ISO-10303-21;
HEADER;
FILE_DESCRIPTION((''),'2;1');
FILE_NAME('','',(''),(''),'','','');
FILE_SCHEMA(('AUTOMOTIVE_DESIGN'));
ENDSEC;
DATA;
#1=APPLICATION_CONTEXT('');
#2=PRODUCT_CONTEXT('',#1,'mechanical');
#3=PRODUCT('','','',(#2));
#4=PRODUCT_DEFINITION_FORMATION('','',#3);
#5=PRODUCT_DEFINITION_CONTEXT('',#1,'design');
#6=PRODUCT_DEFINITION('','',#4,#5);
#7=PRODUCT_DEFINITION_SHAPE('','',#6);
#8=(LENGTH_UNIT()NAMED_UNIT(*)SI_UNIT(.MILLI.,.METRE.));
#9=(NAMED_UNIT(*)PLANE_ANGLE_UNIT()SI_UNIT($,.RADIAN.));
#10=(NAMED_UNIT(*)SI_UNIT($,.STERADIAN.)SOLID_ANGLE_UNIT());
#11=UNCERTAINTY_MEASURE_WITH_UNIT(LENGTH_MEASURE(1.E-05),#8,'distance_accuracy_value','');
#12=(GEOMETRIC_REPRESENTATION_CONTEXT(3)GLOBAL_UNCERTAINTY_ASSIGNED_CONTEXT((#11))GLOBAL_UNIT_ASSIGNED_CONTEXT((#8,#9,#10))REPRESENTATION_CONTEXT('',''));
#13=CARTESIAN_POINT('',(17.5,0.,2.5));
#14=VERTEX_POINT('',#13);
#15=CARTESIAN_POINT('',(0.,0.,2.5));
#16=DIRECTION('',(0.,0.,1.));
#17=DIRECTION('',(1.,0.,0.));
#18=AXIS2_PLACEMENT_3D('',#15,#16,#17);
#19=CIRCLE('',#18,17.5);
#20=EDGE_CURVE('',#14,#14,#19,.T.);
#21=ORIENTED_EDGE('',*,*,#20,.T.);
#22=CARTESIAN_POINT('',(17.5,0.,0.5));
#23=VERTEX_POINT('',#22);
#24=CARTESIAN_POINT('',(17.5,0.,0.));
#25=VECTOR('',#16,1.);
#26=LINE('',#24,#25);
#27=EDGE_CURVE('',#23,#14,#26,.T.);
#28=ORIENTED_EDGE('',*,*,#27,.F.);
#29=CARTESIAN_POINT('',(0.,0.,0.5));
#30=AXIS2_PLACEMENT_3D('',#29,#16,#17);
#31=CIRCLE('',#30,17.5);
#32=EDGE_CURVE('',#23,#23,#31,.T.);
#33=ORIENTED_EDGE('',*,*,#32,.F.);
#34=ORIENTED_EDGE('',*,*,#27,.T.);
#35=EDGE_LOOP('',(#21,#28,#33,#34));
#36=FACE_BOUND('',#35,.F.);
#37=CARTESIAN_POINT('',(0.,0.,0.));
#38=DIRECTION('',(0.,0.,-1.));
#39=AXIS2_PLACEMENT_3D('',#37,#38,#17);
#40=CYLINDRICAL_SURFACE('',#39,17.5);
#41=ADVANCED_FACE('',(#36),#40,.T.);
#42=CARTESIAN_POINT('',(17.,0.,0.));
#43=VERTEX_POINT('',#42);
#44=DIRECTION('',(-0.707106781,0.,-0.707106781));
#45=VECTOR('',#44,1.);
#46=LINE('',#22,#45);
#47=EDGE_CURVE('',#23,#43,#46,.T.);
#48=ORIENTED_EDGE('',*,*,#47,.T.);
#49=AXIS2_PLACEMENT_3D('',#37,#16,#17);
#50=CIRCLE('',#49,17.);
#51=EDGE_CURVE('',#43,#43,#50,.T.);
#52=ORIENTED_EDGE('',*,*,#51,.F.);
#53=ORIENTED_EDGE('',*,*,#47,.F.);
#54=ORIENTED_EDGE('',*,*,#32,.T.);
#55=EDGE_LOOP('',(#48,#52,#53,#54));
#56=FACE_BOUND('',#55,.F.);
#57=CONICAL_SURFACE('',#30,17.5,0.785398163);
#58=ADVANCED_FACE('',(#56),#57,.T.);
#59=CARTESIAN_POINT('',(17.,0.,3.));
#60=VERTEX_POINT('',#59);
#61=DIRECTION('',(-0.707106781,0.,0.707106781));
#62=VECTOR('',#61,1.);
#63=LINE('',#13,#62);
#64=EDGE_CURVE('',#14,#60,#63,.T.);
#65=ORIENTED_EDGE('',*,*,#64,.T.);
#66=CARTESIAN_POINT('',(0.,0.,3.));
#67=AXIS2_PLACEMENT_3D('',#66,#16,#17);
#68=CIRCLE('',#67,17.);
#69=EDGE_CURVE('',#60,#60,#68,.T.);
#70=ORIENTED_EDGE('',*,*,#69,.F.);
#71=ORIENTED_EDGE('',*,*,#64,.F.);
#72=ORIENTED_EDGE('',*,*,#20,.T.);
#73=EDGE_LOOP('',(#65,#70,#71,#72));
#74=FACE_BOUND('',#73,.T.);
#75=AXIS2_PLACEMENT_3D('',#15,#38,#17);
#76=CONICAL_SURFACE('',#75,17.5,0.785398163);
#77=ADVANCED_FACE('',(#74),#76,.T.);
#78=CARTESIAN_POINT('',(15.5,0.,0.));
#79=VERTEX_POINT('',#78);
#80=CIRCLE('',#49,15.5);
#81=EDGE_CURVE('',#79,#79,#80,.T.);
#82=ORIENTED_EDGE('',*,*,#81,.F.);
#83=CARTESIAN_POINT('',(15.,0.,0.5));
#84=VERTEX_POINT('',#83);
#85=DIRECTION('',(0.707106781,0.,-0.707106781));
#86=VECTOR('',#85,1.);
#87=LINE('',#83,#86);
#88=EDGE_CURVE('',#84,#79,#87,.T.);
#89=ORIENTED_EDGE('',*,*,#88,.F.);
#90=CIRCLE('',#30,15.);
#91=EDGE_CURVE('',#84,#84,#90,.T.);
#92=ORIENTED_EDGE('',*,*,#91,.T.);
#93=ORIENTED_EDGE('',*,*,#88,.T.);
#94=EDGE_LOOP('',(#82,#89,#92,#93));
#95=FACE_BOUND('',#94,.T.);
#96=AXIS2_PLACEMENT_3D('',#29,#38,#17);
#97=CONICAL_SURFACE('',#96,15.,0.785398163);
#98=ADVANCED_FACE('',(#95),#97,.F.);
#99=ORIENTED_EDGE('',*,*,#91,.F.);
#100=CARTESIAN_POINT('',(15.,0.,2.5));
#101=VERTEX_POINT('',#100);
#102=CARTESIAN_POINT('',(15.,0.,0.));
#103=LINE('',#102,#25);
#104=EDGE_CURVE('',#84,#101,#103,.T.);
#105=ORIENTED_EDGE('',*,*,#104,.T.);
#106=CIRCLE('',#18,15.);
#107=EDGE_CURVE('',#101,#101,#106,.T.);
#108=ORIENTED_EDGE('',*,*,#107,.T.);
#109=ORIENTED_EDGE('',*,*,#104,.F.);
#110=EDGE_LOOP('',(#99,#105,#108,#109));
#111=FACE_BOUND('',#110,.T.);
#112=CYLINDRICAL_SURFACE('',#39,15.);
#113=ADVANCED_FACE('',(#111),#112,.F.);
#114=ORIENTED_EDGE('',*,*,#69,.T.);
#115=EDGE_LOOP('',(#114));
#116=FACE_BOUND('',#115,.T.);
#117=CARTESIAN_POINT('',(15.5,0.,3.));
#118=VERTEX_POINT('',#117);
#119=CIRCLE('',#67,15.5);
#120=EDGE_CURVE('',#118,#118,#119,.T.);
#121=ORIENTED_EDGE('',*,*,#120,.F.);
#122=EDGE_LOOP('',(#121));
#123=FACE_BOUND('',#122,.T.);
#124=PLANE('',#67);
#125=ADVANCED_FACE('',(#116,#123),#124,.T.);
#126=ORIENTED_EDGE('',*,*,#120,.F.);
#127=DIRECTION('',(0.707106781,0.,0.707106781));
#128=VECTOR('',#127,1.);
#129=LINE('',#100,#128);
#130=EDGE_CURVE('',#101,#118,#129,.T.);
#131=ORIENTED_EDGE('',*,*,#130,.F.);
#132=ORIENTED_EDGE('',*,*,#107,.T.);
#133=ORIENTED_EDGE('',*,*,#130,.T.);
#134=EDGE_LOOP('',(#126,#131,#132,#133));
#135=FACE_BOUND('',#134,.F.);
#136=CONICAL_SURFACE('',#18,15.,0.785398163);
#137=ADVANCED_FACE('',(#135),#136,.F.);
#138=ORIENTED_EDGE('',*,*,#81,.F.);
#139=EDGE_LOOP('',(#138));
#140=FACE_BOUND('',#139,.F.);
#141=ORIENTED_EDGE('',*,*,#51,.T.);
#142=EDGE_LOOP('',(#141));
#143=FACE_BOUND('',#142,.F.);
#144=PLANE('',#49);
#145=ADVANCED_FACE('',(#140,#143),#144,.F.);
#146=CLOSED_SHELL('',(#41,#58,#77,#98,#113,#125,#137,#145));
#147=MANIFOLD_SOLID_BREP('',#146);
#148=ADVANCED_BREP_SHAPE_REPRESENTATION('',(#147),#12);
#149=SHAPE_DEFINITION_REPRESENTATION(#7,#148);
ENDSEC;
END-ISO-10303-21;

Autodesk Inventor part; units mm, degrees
ref_plane "YZ Plane" through (0, 0, 0) normal (1, 0, 0) x (0, 1, 0)
ref_plane "XZ Plane" through (0, 0, 0) normal (0, 1, 0) x (-1, 0, 0)
ref_plane "XY Plane" through (0, 0, 0) normal (0, 0, 1) x (1, 0, 0)
sketch "草图1" plane through (0, 0, 0) normal (0, 0, 1) x (1, 0, 0)
  circle A0 centre (0, 0) radius 17.5
  circle A1 centre (0, 0) radius 15
extrude "拉伸1" add sketch "草图1" along normal blind 3
chamfer "倒角1" distance 0.5 angle 45 4 edges at (-15, 0, 3) (-15, 0, 0) (-17.5, 0, 3) (-17.5, 0, 0)
properties part number "my_attempt_v2"
